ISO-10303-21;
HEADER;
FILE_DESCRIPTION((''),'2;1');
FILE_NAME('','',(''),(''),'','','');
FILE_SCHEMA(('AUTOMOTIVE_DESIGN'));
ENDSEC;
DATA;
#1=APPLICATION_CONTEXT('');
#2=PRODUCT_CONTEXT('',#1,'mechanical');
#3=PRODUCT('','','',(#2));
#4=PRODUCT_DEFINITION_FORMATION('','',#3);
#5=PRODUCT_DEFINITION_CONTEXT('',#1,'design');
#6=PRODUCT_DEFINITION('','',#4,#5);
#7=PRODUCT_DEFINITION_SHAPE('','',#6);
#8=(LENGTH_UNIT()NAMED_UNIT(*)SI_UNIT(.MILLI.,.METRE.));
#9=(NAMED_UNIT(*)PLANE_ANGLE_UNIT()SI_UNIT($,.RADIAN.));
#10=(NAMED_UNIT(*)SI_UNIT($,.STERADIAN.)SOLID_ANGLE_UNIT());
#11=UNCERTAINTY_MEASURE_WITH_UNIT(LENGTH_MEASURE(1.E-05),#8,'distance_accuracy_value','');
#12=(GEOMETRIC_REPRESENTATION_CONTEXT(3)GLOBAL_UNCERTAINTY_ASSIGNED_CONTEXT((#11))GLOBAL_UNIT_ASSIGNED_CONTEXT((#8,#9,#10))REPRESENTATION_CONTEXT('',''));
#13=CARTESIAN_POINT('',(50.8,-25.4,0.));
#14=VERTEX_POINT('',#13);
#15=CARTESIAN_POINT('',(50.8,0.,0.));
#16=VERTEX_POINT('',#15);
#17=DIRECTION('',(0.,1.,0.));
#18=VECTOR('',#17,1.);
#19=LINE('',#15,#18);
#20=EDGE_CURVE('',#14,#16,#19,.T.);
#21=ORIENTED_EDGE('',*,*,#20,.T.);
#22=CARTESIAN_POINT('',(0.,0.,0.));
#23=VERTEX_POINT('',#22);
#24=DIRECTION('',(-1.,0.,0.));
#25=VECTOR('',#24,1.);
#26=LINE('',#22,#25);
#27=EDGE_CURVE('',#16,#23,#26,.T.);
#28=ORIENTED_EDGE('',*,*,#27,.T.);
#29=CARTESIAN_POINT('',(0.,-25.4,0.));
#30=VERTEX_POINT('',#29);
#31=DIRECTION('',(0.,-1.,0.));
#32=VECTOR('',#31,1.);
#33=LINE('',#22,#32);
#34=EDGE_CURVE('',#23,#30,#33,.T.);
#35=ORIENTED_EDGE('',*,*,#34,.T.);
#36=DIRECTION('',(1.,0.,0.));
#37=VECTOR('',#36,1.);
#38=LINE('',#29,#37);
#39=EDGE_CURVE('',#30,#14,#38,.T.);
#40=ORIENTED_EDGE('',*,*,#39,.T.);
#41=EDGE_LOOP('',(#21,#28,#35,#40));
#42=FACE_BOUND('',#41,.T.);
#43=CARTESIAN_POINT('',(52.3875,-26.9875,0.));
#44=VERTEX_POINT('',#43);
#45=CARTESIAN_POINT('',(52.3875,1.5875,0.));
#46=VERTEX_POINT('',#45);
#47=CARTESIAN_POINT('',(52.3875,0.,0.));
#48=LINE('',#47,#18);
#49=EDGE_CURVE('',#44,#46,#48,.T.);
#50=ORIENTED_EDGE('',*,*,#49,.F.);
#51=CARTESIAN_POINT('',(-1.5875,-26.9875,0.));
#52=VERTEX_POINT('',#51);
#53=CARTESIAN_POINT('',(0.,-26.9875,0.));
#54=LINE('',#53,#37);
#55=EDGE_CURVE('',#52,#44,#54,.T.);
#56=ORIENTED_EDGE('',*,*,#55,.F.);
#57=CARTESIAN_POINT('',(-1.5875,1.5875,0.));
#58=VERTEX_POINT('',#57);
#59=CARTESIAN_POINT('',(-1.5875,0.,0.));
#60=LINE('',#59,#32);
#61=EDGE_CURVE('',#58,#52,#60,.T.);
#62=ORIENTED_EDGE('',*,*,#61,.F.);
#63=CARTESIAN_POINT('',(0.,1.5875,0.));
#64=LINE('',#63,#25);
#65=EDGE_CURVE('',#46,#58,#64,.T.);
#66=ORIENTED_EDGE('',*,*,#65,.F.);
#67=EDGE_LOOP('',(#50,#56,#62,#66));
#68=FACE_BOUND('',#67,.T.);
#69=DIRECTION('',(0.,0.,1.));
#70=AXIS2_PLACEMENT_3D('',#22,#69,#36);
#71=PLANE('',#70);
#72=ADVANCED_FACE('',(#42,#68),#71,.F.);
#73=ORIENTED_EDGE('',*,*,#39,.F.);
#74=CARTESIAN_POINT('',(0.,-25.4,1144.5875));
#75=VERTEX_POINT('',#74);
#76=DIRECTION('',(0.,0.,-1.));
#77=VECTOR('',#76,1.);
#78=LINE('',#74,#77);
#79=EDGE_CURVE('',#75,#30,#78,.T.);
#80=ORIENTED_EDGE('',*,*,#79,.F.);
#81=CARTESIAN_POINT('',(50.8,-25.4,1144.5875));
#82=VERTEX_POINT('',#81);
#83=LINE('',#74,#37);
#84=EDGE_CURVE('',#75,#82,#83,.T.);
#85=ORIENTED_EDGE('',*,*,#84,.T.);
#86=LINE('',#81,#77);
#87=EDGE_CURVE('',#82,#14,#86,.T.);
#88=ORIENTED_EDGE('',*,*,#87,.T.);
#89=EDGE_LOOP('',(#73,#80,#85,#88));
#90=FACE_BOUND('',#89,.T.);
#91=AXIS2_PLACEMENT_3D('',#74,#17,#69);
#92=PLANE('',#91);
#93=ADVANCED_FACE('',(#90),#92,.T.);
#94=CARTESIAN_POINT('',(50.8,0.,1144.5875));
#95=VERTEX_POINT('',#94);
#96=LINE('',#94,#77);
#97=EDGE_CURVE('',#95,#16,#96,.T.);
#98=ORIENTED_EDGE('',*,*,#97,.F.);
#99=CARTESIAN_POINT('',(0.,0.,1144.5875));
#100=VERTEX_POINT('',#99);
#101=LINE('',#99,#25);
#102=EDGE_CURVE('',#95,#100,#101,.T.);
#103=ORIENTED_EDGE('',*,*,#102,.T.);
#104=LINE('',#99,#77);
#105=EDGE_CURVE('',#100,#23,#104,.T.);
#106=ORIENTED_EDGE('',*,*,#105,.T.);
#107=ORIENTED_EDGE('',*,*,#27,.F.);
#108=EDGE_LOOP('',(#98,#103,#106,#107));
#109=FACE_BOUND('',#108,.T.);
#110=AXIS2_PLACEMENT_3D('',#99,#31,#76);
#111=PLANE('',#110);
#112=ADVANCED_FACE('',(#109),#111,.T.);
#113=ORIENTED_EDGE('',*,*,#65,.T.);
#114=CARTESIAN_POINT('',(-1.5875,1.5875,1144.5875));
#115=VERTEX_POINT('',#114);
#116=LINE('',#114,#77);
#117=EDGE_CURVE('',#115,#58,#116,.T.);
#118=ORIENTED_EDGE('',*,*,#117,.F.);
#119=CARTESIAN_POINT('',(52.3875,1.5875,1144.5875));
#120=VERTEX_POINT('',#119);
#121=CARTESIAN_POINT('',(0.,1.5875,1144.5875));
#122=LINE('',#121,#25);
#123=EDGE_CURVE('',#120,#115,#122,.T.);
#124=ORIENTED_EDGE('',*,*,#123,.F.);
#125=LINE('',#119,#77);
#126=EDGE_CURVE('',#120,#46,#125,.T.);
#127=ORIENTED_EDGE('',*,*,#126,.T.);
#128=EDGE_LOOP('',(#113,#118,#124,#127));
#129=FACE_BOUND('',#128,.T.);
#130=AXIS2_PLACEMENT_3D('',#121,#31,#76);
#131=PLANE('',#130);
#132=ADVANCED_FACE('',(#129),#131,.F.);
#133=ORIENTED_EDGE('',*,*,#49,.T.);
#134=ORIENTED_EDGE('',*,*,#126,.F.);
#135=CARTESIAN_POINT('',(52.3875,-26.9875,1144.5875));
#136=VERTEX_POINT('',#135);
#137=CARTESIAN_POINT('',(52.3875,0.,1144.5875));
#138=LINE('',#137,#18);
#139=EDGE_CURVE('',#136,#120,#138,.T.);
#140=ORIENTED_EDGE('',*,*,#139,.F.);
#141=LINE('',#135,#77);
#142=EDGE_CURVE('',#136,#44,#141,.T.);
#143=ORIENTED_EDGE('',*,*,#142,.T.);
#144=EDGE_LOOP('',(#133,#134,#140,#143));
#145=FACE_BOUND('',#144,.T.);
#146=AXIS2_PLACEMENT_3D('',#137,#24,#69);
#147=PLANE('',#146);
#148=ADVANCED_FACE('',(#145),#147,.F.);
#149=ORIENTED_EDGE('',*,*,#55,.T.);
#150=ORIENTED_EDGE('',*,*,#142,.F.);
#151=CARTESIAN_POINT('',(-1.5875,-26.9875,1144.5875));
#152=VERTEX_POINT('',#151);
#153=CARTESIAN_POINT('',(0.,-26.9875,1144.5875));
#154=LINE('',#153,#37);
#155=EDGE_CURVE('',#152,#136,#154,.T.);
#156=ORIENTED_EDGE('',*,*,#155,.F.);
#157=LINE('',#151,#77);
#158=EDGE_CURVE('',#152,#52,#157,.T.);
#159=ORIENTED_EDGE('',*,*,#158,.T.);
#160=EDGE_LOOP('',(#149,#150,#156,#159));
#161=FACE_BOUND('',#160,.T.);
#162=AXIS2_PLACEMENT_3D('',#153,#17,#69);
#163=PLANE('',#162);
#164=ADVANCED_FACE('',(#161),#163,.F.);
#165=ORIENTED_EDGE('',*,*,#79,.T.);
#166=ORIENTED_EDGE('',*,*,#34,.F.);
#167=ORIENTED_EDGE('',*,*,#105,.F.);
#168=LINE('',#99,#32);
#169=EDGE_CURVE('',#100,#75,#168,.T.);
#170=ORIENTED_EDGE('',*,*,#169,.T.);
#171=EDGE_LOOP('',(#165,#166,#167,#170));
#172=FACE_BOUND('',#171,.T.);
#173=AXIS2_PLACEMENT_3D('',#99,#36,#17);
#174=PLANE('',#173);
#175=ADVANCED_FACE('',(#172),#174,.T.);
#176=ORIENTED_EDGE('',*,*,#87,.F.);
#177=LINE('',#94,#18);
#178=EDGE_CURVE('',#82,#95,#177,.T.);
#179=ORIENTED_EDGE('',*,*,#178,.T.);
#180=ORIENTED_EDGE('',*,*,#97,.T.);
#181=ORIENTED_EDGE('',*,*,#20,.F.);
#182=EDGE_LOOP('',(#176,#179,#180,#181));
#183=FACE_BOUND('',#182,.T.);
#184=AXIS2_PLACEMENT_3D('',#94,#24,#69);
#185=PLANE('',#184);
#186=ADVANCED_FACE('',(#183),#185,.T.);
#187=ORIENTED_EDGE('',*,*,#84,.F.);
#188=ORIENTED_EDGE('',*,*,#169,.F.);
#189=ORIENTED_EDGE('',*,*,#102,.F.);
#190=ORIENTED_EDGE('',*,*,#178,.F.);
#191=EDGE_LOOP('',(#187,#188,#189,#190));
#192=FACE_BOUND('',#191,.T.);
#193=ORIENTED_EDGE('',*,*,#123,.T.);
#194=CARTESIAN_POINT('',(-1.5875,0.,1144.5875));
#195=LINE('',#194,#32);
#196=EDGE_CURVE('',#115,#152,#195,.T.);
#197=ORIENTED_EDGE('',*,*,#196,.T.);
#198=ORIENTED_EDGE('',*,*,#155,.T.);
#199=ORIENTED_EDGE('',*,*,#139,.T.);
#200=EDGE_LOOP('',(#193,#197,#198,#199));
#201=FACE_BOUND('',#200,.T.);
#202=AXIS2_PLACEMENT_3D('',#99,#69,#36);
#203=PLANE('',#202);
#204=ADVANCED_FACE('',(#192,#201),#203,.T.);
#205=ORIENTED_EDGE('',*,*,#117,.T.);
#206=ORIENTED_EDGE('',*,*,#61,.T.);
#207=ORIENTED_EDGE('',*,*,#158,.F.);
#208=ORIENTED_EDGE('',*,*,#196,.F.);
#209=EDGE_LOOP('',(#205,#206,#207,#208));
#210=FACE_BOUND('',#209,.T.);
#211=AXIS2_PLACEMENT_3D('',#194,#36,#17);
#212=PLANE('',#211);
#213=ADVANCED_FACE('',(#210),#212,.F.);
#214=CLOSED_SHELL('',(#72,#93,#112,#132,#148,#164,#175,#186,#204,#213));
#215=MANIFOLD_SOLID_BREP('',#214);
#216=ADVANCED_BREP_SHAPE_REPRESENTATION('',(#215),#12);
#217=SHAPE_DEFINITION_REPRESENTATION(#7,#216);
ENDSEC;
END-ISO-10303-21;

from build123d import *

# Parameters (mm, degrees)
SKETCH1_W           = 53.975
SKETCH1_H           = 28.575
SKETCH1_W_2         = 50.8
SKETCH1_H_2         = 25.4
EXTRUDE_THIN1_DEPTH = 1144.5875


with BuildPart() as part:
    # Sketch1 → Extrude-Thin1 (new body)
    with BuildSketch(Plane.XY):
        with Locations((25.4, -12.7)):
            Rectangle(SKETCH1_W, SKETCH1_H)
        with Locations((25.4, -12.7)):
            Rectangle(SKETCH1_W_2, SKETCH1_H_2, mode=Mode.SUBTRACT)
    extrude(amount=EXTRUDE_THIN1_DEPTH)


solid = part.part
